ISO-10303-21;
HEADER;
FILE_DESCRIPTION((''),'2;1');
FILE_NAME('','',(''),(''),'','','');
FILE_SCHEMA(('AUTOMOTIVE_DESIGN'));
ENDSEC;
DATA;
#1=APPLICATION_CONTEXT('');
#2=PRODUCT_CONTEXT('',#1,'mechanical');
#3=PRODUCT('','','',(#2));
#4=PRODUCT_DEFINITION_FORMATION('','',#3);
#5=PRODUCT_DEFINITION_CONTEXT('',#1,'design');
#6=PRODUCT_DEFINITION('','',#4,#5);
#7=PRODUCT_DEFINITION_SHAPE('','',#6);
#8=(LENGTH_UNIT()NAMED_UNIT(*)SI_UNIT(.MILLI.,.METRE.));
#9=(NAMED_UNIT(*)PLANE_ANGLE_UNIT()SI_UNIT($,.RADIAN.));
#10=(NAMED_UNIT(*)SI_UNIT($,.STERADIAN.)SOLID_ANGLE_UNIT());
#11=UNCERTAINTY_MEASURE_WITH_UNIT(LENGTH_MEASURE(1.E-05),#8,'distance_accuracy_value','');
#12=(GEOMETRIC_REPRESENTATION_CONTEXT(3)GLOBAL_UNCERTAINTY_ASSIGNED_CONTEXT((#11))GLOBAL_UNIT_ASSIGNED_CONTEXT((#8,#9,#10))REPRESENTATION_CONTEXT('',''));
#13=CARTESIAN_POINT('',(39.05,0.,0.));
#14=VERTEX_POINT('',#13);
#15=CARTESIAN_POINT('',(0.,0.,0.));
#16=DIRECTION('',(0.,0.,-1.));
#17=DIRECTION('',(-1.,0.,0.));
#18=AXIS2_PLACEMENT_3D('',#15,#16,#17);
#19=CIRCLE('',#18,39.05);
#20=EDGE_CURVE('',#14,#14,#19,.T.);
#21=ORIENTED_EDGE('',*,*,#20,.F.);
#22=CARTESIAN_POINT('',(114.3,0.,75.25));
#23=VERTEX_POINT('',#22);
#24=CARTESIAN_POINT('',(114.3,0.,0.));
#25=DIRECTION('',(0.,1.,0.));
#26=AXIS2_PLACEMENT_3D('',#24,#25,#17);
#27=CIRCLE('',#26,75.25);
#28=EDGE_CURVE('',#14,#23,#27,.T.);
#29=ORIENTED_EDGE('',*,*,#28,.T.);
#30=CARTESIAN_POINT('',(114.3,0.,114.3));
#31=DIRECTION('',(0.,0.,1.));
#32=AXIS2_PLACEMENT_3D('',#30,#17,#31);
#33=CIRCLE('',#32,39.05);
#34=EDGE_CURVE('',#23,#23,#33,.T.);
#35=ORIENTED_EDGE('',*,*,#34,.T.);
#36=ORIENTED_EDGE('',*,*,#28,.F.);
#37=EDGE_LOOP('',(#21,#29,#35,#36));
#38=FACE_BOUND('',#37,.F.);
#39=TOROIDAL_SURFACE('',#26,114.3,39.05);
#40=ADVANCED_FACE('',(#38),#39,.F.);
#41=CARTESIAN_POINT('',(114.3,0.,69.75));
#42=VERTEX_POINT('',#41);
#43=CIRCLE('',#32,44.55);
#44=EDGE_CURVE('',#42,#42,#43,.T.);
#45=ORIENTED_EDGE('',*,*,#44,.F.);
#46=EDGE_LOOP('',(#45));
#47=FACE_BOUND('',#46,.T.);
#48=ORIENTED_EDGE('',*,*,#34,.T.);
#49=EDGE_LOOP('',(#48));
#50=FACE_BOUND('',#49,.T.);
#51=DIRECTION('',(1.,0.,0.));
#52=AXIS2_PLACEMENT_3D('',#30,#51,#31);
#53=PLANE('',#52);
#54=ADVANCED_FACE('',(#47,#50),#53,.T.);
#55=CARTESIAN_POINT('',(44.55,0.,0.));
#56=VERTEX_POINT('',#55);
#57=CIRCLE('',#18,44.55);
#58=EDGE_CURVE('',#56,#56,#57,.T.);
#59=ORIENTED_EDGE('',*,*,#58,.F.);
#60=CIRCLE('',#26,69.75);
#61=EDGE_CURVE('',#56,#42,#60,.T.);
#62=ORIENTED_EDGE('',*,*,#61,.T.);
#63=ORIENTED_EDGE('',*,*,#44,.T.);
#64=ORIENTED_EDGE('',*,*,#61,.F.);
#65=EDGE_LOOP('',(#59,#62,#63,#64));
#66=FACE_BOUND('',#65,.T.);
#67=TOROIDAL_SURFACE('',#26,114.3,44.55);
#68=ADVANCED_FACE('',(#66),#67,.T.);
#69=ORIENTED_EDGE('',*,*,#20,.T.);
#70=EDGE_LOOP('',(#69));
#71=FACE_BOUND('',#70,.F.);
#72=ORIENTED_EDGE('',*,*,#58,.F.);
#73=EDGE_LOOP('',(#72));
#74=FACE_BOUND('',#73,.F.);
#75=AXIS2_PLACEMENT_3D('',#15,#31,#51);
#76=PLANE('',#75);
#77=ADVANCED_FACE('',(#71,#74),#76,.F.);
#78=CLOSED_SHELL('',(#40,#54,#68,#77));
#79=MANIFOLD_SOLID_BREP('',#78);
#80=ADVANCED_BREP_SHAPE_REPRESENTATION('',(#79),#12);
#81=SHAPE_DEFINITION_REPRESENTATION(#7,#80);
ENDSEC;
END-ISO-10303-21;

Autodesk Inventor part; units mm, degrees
ref_plane "YZ Plane" through (0, 0, 0) normal (1, 0, 0) x (0, 1, 0)
ref_plane "XZ Plane" through (0, 0, 0) normal (0, 1, 0) x (-1, 0, 0)
ref_plane "XY Plane" through (0, 0, 0) normal (0, 0, 1) x (1, 0, 0)
sketch "Sketch1" plane through (0, 0, 0) normal (0, 0, 1) x (1, 0, 0)
  circle A0 centre (0, 0) radius 39.05
  circle A1 centre (0, 0) radius 44.55
  dimension "d0" = 78.1
  dimension "d1" = 89.1
sketch "Sketch2" plane through (0, 0, 0) normal (0, 1, 0) x (-1, 0, 0)
  line L0 (0, 0) -> (0, 114.3) construction
  line L1 (0, 114.3) -> (-114.3, 114.3) construction
  arc A0 (0, 0) -> (-114.3, 114.3) centre (-114.3, 0) ccw
  dimension "d2" = 114.3
  dimension "d3" = 90
  dimension "d4" = 114.3
sweep "Sweep1" add profiles "Sketch1" path "Sketch2"
equation "\"d0\" = D - 2 * T"
equation "\"d1\" = D"
equation "\"d2\" = F1"
equation "\"d4\" = F1"
equation "\"D\" = 89.1"
equation "\"F1\" = 114.3"
equation "\"T\" = 5.5"
equation "\"Size_Designation\" = 1.2345"
properties part number "JIS B 2312 90 Deg Long Elbow Steel 80A x Sch 40" material "Steel"
